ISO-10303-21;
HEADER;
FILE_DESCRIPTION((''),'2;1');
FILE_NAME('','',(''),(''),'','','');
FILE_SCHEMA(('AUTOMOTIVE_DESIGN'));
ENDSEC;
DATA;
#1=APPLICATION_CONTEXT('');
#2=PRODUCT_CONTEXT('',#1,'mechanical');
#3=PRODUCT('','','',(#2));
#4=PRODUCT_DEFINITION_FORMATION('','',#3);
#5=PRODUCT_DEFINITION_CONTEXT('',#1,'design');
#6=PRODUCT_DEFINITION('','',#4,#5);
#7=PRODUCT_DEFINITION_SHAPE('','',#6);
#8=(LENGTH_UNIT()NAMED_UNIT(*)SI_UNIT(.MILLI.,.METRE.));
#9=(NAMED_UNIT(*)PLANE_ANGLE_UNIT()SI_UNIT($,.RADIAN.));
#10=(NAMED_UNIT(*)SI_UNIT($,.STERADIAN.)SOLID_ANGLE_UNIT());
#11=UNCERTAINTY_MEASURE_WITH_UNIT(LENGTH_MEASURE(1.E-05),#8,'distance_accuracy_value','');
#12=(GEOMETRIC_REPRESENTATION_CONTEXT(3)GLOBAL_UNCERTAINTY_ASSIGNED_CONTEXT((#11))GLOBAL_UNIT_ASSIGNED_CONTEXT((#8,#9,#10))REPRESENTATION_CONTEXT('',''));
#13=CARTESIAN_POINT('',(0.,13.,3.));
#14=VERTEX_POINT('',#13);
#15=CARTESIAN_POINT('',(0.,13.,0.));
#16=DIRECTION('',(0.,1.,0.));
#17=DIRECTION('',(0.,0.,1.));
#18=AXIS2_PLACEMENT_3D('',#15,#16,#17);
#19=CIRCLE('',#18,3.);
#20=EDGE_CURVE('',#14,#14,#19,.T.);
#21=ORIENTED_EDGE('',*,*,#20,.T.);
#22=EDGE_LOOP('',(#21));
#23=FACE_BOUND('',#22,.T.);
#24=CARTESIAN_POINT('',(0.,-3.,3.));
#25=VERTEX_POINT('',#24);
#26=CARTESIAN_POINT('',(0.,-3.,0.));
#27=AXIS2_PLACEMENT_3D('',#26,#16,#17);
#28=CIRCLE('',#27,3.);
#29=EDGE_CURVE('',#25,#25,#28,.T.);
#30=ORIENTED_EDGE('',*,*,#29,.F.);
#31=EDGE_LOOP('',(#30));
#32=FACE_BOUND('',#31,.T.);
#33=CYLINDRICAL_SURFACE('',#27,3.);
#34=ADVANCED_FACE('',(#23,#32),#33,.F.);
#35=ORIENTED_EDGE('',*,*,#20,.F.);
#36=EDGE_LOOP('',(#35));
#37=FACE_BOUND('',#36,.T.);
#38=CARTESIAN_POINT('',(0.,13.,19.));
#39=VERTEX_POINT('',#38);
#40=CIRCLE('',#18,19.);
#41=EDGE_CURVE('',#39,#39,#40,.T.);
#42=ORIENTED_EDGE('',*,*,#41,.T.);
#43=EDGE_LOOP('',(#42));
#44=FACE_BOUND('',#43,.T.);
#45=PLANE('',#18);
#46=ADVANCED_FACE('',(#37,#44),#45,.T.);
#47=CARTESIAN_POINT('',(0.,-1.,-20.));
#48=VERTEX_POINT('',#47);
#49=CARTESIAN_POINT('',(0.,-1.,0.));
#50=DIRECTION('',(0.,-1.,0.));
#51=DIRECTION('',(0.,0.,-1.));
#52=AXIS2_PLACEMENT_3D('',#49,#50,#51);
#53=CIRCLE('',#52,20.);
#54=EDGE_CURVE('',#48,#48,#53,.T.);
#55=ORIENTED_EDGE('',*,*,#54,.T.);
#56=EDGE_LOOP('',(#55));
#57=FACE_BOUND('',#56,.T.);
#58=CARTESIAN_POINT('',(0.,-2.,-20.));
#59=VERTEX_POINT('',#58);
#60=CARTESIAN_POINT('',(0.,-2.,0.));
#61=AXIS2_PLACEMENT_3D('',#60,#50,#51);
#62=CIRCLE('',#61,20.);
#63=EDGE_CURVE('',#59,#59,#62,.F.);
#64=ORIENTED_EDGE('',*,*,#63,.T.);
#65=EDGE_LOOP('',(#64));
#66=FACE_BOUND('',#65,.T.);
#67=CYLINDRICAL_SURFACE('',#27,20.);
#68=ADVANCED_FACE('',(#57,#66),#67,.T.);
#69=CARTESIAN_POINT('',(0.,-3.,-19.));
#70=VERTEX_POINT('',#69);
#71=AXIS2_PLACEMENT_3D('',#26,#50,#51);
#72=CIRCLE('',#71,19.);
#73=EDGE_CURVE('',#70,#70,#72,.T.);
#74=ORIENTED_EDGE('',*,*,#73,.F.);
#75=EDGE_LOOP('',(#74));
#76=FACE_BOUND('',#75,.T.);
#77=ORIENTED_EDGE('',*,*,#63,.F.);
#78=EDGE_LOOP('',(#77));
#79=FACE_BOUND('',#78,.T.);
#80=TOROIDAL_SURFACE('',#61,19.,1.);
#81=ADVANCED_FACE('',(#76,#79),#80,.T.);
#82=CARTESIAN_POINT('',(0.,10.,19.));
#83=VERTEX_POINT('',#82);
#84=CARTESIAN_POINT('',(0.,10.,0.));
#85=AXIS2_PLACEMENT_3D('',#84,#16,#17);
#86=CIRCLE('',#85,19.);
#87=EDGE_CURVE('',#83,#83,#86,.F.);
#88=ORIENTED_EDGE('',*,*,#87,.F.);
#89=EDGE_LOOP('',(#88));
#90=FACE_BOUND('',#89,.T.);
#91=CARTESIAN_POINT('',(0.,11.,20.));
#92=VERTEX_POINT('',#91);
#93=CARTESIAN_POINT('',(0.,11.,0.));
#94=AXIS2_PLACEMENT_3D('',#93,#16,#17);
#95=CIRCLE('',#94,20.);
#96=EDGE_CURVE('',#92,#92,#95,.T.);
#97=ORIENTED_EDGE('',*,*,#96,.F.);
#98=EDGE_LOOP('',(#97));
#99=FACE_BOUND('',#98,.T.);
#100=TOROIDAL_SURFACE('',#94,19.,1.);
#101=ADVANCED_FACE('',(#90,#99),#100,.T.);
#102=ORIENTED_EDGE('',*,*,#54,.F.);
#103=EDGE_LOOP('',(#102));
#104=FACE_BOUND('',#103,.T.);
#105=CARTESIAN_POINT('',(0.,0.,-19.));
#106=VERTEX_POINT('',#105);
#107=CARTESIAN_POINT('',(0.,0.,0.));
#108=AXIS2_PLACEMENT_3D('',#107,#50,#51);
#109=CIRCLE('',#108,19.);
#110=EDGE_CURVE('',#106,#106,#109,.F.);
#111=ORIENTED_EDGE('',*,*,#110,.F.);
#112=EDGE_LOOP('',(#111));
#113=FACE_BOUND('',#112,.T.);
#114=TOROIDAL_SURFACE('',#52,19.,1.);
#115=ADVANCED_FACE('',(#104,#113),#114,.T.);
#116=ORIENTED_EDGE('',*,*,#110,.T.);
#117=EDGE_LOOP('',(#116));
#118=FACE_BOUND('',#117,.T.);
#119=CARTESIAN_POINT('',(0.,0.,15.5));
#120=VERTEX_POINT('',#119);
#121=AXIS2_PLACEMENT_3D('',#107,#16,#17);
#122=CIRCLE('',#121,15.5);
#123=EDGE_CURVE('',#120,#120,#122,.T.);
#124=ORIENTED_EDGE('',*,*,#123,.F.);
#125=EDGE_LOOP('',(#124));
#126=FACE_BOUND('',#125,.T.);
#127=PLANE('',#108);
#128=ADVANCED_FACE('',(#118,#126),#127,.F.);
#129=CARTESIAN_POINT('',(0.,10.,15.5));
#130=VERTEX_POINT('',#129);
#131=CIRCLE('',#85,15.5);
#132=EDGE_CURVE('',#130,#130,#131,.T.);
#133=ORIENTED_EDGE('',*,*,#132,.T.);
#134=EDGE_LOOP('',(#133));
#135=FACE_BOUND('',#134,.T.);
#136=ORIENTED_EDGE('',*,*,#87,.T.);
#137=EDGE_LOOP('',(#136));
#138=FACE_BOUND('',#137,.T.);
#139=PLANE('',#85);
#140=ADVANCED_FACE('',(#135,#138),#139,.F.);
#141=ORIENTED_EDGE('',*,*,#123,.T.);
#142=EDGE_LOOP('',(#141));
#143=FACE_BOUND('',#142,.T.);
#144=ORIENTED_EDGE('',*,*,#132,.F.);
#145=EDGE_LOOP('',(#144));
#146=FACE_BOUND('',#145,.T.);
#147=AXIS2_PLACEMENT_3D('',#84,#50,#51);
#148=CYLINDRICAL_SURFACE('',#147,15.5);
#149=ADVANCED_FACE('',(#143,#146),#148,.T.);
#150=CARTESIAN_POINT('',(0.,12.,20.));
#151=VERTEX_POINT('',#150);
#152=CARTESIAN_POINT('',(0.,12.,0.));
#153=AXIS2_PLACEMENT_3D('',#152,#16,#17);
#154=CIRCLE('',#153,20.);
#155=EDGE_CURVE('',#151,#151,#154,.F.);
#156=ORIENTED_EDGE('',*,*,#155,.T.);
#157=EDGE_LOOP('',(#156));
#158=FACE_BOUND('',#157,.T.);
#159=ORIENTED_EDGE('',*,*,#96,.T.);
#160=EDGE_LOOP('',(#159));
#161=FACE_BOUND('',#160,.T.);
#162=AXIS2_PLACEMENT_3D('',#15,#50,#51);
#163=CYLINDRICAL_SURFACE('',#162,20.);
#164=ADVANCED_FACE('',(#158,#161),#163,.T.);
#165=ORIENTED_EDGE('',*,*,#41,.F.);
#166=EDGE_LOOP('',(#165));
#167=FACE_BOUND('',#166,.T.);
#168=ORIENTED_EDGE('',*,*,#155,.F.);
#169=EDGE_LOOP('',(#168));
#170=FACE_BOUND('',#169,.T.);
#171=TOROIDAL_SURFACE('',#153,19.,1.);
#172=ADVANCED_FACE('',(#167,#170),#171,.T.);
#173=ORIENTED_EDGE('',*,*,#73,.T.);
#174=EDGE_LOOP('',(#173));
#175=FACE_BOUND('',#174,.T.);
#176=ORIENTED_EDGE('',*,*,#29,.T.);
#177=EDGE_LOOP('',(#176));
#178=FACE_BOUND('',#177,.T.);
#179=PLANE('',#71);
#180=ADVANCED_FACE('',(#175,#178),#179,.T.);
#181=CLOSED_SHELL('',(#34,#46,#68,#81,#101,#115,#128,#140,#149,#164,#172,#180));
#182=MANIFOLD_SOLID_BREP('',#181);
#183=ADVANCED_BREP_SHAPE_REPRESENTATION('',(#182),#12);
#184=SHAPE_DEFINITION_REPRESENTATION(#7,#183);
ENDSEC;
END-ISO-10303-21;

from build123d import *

# Parameters (mm, degrees)
SKETCH_1_R          = 15.5
EXTRUDE_1_DEPTH     = 10
SKETCH_2_R          = 20
EXTRUDE_2_DEPTH     = 3
EXTRUDE_START       = 3
SKETCH_3_R          = 20
EXTRUDE_3_DEPTH     = 3
FILLET_2_R          = 1
SKETCH_4_R          = 3
CUT_EXTRUDE_1_DEPTH = 33.49615368


with BuildPart() as part:
    # 草图1 → 凸台-拉伸1 (new body)
    with BuildSketch(Plane(origin=(0, 0, 0), x_dir=(1, 0, 0), z_dir=(0, 1, 0))):
        with Locations(Location((0, 0, 0), (0, 0, 270))):
            Circle(SKETCH_1_R)
    extrude(amount=EXTRUDE_1_DEPTH)

    # 草图2 → 凸台-拉伸2 (add)
    with BuildSketch(Plane(origin=(0, 10, 0), x_dir=(1, 0, 0), z_dir=(0, 1, 0))):
        with Locations(Location((0, 0, 0), (0, 0, 270))):
            Circle(SKETCH_2_R)
    extrude(amount=EXTRUDE_2_DEPTH)

    # 草图3 → 凸台-拉伸3 (add)
    with BuildSketch(Plane.XZ.offset(EXTRUDE_START)):
        with Locations(Location((0, 0, 0), (0, 0, 90))):
            Circle(SKETCH_3_R)
    extrude(amount=-EXTRUDE_3_DEPTH)

    # 圆角2
    fillet_2_edges = [part.edges().sort_by_distance(p)[0] for p in [
        (0, -3, -20),
        (0, 10, -20),
        (0, 13, -20),
        (0, 0, -20),
    ]]
    fillet(fillet_2_edges, radius=FILLET_2_R)

    # 草图4 → 切除-拉伸1 (cut, through all)
    with BuildSketch(Plane(origin=(0, 13, 0), x_dir=(1, 0, 0), z_dir=(0, 1, 0))):
        with Locations(Location((0, 0, 0), (0, 0, 270))):
            Circle(SKETCH_4_R)
    extrude(amount=-CUT_EXTRUDE_1_DEPTH, mode=Mode.SUBTRACT)


solid = part.part
